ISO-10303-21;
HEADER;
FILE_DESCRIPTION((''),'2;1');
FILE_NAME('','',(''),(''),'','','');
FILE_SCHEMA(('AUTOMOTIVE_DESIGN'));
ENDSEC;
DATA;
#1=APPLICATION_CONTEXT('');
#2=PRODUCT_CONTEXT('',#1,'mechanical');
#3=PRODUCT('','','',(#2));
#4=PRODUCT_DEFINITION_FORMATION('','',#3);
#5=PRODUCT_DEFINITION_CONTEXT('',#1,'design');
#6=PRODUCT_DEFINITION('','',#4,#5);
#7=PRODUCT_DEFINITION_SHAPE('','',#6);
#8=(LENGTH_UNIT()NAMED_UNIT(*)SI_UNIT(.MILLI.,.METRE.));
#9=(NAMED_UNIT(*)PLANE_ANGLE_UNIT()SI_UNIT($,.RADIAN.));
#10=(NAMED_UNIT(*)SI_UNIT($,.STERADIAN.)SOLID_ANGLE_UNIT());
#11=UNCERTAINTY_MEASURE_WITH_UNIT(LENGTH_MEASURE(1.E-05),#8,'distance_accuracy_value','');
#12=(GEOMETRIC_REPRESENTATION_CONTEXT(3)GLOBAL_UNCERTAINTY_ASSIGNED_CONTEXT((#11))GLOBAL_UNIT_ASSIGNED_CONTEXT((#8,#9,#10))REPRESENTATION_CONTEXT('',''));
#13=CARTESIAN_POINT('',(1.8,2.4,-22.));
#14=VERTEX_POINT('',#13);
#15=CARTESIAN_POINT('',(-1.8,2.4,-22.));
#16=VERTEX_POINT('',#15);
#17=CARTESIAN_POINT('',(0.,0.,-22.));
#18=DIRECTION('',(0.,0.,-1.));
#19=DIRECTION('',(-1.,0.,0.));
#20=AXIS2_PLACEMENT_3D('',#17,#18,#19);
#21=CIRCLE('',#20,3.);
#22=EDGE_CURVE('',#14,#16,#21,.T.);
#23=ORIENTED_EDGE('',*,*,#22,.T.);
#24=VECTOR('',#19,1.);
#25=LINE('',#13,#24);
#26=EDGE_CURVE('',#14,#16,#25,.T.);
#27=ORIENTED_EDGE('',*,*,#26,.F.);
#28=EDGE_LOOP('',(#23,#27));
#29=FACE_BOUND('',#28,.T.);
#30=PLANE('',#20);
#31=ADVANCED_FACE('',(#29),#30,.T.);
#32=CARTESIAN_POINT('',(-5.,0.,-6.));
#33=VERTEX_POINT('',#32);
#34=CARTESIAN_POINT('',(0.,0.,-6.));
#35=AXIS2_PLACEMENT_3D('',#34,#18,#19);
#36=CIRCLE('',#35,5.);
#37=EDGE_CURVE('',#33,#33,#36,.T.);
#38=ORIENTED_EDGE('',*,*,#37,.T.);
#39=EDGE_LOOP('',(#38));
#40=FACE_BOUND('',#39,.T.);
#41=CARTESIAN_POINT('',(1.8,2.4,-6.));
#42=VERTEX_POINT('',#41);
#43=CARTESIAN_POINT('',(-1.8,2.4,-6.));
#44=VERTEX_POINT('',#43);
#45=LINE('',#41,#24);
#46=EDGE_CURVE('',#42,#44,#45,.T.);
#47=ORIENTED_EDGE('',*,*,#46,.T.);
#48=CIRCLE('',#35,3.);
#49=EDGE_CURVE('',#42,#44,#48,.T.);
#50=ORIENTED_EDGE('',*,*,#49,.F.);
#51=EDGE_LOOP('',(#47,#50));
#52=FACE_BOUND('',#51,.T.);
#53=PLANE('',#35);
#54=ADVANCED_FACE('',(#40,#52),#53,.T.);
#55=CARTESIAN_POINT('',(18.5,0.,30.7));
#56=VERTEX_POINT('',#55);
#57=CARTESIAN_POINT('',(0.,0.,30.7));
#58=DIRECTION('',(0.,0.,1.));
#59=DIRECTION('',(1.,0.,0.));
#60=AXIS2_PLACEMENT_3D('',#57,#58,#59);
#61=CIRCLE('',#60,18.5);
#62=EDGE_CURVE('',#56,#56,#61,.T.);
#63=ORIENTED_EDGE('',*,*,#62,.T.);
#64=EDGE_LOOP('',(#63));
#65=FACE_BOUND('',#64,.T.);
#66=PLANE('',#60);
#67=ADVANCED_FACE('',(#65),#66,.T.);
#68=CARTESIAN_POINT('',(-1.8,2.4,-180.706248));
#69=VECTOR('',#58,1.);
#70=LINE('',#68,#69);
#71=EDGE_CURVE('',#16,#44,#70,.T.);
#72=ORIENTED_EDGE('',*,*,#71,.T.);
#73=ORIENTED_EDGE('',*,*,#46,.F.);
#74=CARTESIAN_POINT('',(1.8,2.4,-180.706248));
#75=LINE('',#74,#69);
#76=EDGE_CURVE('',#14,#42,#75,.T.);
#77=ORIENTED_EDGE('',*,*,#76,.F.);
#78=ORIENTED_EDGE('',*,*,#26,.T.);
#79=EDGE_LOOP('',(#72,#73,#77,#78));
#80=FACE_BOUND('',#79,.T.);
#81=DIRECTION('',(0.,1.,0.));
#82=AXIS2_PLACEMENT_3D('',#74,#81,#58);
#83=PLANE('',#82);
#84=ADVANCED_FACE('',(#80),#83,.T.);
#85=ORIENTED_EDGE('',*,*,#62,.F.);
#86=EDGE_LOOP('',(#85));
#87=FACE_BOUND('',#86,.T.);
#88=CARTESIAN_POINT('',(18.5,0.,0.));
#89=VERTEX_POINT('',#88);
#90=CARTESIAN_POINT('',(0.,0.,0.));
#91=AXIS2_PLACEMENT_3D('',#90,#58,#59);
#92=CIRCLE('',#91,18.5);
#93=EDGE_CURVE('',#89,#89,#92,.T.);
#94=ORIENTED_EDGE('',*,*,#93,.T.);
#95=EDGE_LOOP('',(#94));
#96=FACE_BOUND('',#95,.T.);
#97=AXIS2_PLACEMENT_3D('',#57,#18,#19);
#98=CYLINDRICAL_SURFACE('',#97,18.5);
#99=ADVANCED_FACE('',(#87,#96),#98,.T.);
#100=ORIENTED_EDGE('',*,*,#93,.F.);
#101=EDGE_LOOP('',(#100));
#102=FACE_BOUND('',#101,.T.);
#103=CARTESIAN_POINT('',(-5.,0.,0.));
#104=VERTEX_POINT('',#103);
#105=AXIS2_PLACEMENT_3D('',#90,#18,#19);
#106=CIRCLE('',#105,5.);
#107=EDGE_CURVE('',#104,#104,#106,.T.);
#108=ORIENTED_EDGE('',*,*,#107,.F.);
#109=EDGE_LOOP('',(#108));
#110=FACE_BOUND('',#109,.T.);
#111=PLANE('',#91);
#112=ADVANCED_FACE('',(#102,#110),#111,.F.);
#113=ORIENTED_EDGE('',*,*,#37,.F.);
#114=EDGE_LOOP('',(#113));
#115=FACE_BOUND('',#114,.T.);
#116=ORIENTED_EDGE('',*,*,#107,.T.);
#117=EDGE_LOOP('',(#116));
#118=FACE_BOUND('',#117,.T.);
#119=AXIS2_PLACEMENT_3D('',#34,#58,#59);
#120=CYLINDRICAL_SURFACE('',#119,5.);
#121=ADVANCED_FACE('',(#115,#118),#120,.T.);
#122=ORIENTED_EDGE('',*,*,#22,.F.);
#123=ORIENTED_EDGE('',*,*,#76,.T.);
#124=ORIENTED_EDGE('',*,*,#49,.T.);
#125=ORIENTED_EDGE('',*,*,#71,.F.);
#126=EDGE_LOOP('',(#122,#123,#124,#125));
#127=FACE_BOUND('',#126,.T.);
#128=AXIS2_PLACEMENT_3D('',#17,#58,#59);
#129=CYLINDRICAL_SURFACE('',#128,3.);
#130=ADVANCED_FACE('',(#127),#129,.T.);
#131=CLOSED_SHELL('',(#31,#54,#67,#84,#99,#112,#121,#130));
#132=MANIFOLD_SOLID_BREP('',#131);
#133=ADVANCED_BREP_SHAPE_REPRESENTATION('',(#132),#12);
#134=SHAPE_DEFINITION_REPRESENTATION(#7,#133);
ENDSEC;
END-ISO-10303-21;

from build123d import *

# Parameters (mm, degrees)
ESQUISSE1_R                  = 18.5
BOSS_EXTRU_1_DEPTH           = 30.7
ESQUISSE2_R                  = 5
BOSS_EXTRU_2_DEPTH           = 6
ESQUISSE3_R                  = 3
BOSS_EXTRU_3_DEPTH           = 16
ENL_V_MAT_EXTRU_2_DEPTH      = 59.836978168
ENL_V_MAT_EXTRU_2_DEPTH_BACK = 16


with BuildPart() as part:
    # Esquisse1 → Boss.-Extru.1 (new body)
    with BuildSketch(Plane.XY):
        Circle(ESQUISSE1_R)
    extrude(amount=BOSS_EXTRU_1_DEPTH)

    # Esquisse2 → Boss.-Extru.2 (add)
    with BuildSketch(Plane(origin=(0, 0, 0), x_dir=(-1, 0, 0), z_dir=(0, 0, -1))):
        Circle(ESQUISSE2_R)
    extrude(amount=BOSS_EXTRU_2_DEPTH)

    # Esquisse3 → Boss.-Extru.3 (add)
    with BuildSketch(Plane(origin=(0, 0, -6), x_dir=(-1, 0, 0), z_dir=(0, 0, -1))):
        Circle(ESQUISSE3_R)
    extrude(amount=BOSS_EXTRU_3_DEPTH)

    # Esquisse4 → Enlèv. mat.-Extru.2 (cut, two sides: drawn at the far end of the back side and taken through both)
    with BuildSketch(Plane(origin=(0, 0, -22), x_dir=(-1, 0, 0), z_dir=(0, 0, -1)).offset(-ENL_V_MAT_EXTRU_2_DEPTH_BACK)):
        Polygon((-70.071777045, 2.4), (-1.8, 2.4), (1.8, 2.4), (70.071777045, 2.4), (70.071777045, 138.94355409), (-70.071777045, 138.94355409), align=None)
    extrude(amount=ENL_V_MAT_EXTRU_2_DEPTH + ENL_V_MAT_EXTRU_2_DEPTH_BACK, mode=Mode.SUBTRACT)


solid = part.part
